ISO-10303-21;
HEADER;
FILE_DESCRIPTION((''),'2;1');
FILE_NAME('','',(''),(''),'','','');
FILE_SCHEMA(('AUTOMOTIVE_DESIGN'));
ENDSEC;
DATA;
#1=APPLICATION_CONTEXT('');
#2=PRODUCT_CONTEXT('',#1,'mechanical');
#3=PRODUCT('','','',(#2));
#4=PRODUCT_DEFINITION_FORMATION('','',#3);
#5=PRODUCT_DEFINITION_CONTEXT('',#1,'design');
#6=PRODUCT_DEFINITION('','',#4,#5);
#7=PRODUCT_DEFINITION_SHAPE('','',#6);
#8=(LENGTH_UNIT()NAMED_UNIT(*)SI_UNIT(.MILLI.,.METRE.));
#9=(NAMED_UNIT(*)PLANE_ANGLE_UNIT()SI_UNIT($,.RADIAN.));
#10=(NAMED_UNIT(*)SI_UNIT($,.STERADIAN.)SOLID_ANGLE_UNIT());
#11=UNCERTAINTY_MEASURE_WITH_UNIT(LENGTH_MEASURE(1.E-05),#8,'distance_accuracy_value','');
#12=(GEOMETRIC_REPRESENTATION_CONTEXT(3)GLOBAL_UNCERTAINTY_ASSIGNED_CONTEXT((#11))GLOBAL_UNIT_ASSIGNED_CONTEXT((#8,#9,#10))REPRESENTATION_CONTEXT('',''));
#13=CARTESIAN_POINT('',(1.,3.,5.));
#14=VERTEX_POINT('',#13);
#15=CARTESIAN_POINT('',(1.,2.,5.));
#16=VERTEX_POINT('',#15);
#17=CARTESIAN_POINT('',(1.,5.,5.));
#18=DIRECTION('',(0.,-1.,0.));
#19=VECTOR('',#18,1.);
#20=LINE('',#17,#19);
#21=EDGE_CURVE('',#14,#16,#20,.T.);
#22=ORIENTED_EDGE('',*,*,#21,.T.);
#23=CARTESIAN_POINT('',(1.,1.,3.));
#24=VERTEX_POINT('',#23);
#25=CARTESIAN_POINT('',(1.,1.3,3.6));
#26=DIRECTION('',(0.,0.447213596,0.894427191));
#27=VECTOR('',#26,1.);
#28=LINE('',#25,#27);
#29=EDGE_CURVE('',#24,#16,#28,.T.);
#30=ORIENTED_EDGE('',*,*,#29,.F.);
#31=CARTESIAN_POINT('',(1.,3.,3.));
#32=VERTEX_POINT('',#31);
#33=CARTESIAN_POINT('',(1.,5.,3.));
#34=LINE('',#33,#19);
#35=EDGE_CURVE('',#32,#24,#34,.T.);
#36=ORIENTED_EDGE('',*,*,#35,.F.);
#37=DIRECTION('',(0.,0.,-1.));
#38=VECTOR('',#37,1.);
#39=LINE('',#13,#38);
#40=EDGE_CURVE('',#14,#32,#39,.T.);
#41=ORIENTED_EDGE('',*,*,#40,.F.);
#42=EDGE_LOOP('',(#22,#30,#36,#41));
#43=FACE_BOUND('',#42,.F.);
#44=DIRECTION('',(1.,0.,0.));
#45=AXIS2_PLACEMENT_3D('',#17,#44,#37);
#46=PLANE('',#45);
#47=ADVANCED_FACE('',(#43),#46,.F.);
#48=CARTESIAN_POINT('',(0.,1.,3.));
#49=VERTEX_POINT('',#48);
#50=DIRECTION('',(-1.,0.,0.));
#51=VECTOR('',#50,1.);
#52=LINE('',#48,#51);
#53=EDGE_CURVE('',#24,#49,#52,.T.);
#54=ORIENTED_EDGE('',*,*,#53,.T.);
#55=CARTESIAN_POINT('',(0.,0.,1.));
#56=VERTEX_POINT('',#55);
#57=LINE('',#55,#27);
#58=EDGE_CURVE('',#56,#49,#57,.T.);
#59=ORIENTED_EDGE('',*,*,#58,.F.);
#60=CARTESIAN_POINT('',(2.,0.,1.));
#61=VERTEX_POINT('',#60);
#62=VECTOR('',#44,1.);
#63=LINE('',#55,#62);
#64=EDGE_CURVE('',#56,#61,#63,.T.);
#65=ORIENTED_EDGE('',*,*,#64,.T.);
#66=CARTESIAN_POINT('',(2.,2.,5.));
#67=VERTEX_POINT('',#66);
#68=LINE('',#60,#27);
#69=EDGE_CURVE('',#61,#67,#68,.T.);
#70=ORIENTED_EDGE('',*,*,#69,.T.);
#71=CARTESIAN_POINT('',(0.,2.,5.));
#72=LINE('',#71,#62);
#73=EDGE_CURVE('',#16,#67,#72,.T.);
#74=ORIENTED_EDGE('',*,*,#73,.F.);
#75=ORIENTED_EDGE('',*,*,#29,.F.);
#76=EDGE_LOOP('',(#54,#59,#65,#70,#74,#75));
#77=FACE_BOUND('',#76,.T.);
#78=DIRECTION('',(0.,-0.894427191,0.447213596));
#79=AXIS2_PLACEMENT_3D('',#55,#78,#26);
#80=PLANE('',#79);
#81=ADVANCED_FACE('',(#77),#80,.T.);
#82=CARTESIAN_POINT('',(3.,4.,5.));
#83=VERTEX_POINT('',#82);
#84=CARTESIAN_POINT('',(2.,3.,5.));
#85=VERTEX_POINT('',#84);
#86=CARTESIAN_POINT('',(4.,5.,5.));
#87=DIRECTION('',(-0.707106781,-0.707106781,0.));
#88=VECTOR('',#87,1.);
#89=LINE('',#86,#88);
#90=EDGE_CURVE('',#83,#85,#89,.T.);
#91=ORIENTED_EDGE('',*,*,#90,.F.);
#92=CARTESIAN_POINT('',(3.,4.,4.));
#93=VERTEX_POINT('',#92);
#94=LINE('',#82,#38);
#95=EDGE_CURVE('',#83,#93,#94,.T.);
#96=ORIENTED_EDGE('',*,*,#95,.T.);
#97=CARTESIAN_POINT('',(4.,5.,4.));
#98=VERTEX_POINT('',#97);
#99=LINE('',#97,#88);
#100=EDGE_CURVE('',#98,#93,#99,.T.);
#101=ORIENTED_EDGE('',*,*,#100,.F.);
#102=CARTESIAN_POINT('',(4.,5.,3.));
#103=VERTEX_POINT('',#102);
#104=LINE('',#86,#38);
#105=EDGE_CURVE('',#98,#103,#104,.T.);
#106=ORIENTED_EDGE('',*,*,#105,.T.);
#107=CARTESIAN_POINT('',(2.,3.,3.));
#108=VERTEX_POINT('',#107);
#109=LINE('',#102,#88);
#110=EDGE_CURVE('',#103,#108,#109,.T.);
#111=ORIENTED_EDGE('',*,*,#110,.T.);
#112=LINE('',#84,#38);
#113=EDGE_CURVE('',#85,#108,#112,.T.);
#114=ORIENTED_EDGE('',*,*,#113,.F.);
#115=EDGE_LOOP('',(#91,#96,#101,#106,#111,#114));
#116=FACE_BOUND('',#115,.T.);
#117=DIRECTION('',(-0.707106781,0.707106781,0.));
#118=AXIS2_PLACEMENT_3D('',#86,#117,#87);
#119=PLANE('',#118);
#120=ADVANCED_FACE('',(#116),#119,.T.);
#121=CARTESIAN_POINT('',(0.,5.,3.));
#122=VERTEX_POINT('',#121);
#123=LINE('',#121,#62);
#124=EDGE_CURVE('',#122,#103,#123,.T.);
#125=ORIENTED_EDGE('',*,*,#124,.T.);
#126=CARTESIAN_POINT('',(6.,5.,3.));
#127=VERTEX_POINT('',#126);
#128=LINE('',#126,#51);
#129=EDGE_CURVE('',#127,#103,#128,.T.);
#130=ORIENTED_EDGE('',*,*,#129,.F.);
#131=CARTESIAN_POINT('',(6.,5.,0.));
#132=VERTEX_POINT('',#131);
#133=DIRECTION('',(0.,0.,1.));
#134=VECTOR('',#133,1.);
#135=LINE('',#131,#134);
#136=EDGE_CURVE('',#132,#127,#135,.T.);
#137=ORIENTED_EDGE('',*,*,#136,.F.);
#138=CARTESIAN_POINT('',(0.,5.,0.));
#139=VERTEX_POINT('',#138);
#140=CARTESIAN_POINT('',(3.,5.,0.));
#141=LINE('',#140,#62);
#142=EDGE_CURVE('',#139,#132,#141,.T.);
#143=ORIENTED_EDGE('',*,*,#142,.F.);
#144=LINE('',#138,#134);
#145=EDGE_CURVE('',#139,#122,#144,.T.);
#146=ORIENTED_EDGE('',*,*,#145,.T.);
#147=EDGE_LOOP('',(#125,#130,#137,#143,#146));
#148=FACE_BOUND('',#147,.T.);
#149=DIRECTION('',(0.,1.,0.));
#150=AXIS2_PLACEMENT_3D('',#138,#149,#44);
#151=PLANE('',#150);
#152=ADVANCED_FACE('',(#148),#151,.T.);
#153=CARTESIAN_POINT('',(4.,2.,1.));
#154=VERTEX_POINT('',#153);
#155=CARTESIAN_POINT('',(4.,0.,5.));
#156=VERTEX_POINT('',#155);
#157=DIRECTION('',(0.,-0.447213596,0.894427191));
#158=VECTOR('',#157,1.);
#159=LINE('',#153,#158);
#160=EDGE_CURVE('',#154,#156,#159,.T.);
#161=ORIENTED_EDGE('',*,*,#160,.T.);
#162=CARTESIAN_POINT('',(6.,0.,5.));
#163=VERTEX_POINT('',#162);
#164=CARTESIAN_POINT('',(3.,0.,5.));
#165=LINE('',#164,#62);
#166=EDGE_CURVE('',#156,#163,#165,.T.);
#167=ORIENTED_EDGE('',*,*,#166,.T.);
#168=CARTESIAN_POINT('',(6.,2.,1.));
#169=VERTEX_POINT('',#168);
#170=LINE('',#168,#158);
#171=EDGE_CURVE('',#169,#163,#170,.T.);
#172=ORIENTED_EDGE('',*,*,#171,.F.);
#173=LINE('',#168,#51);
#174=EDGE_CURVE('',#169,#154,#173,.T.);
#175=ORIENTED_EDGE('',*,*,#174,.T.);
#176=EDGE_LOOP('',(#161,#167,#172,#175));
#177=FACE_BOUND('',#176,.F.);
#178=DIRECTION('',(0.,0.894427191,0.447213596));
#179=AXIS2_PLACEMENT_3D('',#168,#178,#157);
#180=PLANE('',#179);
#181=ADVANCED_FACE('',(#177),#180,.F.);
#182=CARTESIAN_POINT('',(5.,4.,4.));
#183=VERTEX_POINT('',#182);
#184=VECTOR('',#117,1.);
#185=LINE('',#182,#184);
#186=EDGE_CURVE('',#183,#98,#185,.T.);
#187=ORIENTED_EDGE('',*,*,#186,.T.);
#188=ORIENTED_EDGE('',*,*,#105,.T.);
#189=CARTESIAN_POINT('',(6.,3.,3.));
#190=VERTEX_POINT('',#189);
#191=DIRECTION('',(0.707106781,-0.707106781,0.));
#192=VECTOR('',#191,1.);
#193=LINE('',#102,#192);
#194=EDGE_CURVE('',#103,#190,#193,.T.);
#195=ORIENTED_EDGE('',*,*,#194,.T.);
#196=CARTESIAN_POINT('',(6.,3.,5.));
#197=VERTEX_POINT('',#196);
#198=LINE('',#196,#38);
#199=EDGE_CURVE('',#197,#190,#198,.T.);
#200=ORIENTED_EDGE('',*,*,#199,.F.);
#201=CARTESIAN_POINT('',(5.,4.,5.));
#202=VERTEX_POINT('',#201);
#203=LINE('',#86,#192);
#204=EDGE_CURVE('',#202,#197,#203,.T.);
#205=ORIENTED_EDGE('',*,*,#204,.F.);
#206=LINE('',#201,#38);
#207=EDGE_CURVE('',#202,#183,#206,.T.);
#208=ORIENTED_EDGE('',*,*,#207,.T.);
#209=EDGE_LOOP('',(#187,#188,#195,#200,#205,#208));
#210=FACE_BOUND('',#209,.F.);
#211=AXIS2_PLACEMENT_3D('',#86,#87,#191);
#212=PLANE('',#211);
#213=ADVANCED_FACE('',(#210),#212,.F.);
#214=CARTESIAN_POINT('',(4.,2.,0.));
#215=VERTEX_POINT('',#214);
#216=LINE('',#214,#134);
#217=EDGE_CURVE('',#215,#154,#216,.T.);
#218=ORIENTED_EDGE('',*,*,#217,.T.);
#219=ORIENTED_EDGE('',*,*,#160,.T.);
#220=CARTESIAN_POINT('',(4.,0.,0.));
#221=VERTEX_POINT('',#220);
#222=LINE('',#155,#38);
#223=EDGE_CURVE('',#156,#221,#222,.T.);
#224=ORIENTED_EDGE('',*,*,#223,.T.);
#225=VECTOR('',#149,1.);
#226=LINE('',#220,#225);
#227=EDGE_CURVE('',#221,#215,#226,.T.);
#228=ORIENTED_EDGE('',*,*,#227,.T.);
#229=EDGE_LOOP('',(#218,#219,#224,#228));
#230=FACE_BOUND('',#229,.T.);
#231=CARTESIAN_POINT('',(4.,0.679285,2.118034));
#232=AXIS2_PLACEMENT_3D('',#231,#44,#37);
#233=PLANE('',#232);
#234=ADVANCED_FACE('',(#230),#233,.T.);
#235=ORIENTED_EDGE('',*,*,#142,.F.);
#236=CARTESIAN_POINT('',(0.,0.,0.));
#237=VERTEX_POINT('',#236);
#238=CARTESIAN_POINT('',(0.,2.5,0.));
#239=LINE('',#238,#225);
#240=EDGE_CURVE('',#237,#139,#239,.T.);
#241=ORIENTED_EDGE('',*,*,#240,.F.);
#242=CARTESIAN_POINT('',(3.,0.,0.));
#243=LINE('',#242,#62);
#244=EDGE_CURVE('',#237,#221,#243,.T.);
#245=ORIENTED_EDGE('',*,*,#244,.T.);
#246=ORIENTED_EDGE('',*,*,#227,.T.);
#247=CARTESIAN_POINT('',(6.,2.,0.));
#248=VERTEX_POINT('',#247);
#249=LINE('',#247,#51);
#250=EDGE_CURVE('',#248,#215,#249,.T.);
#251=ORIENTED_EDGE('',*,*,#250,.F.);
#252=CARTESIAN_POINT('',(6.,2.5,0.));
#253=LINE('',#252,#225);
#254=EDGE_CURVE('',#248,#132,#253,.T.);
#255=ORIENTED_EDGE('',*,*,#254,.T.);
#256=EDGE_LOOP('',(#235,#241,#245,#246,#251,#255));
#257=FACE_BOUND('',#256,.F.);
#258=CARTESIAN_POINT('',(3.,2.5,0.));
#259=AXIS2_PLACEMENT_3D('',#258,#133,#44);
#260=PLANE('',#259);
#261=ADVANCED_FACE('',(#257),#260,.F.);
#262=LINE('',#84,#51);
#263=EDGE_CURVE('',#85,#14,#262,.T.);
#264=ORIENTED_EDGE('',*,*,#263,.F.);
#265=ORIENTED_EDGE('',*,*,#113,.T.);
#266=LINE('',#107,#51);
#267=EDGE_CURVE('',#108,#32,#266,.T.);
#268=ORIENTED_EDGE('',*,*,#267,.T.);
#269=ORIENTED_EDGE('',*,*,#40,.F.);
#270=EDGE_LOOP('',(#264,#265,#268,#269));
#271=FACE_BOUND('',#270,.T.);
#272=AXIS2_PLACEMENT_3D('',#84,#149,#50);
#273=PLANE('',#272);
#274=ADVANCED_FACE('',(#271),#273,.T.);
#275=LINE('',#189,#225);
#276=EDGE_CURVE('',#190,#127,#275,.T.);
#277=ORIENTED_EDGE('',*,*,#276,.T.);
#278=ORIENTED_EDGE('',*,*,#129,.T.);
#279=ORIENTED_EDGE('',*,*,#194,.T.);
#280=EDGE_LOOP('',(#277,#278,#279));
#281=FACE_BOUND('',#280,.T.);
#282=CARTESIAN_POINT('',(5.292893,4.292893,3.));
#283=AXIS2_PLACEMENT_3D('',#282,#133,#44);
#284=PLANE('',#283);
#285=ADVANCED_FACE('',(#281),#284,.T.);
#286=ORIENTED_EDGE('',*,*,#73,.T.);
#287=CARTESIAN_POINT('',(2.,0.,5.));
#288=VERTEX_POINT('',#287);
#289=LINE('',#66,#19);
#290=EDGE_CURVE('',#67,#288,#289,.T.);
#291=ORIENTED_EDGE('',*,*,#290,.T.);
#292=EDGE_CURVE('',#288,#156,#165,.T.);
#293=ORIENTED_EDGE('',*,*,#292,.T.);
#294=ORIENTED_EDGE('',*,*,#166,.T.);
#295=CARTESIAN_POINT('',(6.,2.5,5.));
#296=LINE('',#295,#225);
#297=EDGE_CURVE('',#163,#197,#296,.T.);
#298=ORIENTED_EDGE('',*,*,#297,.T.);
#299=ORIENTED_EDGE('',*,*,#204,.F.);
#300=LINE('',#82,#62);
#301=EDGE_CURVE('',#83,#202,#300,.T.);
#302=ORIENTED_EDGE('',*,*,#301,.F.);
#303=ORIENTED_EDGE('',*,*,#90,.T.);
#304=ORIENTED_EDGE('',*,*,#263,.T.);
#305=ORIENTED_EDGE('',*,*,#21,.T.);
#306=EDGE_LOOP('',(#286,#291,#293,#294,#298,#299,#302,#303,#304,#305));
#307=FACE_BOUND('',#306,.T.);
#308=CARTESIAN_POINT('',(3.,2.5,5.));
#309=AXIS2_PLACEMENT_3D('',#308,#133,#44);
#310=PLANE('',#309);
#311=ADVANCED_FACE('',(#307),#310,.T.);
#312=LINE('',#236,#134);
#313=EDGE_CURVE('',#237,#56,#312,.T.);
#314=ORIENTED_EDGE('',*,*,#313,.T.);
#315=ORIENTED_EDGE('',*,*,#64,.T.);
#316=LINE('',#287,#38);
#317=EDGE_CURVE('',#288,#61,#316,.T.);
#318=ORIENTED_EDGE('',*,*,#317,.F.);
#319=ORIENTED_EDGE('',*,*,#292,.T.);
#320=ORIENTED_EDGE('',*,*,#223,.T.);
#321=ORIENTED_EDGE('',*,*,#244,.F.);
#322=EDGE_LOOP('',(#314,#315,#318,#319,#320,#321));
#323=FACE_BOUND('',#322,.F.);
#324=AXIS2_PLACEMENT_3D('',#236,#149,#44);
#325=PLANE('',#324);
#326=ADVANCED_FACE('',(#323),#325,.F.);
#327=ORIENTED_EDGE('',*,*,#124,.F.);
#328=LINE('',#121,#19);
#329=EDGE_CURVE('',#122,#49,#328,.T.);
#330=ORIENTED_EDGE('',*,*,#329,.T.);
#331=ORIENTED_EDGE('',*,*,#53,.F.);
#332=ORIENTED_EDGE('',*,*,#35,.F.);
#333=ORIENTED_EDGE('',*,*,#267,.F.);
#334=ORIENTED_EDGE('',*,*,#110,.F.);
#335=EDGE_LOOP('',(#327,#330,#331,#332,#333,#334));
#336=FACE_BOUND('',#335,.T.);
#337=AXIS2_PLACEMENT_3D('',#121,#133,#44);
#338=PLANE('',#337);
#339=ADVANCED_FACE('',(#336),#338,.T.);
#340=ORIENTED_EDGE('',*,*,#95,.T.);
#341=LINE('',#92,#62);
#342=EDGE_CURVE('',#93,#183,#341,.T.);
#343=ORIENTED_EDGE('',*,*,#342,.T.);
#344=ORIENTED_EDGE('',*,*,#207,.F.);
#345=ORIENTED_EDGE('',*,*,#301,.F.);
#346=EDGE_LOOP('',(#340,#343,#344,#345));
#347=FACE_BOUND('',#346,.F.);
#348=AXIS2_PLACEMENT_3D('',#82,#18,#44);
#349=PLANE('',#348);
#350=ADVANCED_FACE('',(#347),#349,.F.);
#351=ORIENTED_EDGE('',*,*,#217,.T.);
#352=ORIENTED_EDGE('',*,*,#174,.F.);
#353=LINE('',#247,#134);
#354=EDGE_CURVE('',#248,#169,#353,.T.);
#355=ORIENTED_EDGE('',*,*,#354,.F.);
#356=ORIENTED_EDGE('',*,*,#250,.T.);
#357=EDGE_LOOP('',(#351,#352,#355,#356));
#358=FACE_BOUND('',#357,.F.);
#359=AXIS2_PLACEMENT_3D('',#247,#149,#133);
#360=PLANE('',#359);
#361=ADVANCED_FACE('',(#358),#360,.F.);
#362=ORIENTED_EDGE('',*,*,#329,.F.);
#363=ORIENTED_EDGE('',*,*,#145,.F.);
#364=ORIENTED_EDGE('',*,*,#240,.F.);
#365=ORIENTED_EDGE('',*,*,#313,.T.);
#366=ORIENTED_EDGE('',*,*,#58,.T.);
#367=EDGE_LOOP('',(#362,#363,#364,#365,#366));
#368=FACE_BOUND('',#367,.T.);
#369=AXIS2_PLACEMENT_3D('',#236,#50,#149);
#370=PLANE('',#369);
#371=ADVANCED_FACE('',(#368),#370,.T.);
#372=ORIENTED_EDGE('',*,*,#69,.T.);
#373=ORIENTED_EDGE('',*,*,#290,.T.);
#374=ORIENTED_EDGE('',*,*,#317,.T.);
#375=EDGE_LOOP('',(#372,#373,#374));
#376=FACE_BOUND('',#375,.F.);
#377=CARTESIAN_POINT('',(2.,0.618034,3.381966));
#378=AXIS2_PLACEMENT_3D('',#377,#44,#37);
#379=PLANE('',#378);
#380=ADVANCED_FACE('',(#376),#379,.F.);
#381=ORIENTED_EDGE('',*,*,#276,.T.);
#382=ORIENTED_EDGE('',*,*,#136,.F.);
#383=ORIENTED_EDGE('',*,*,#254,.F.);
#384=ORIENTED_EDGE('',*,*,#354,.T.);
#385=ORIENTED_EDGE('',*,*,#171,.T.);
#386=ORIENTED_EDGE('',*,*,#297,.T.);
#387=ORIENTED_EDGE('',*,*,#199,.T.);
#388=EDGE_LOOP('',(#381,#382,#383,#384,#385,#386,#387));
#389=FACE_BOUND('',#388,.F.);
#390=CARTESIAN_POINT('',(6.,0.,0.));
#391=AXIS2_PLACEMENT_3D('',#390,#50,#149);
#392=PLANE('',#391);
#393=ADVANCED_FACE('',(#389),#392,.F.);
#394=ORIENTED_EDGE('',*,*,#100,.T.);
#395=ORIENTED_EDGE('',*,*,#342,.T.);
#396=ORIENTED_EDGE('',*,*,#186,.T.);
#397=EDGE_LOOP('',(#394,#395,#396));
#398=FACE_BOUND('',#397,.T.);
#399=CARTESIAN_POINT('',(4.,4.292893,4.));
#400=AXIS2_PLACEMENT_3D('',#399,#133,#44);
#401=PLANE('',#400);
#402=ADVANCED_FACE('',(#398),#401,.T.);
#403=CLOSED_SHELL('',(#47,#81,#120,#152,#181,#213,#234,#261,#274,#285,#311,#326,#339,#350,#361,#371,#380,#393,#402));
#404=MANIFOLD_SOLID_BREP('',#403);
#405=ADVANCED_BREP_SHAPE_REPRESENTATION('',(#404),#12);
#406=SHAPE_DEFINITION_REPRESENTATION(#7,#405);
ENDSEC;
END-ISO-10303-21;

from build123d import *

# Parameters (mm, degrees)
SKETCH1_W           = 6
SKETCH1_H           = 5
BOSS_EXTRUDE1_DEPTH = 5
CUT_EXTRUDE1_DEPTH  = 2
CUT_EXTRUDE2_DEPTH  = 2
SKETCH5_W           = 1
SKETCH5_H           = 2
CUT_EXTRUDE3_DEPTH  = 5
CUT_EXTRUDE4_DEPTH  = 2
CUT_EXTRUDE5_DEPTH  = 2
CUT_EXTRUDE6_DEPTH  = 1


with BuildPart() as part:
    # Sketch1 → Boss-Extrude1 (new body)
    with BuildSketch(Plane.XY):
        with Locations((3, 2.5)):
            Rectangle(SKETCH1_W, SKETCH1_H)
    extrude(amount=BOSS_EXTRUDE1_DEPTH)

    # Sketch2 → Cut-Extrude1 (cut)
    with BuildSketch(Plane(origin=(6, 0, 0), x_dir=(0, 0, -1), z_dir=(1, 0, 0))):
        Polygon((0, 2), (-1, 2), (-5, 0), (0, 0), align=None)
    extrude(amount=-CUT_EXTRUDE1_DEPTH, mode=Mode.SUBTRACT)

    # Sketch4 → Cut-Extrude2 (cut)
    with BuildSketch(Plane.ZY):
        Polygon((1, 0), (5, 2), (5, 0), align=None)
    extrude(amount=-CUT_EXTRUDE2_DEPTH, mode=Mode.SUBTRACT)

    # Sketch5 → Cut-Extrude3 (cut)
    with BuildSketch(Plane(origin=(0, 5, 0), x_dir=(1, 0, 0), z_dir=(0, 1, 0))):
        with Locations((0.5, -4)):
            Rectangle(SKETCH5_W, SKETCH5_H)
    extrude(amount=-CUT_EXTRUDE3_DEPTH, mode=Mode.SUBTRACT)

    # Sketch6 → Cut-Extrude4 (cut)
    with BuildSketch(Plane.XY.offset(5)):
        Polygon((4, 5), (6, 3), (6, 5), align=None)
    extrude(amount=-CUT_EXTRUDE4_DEPTH, mode=Mode.SUBTRACT)

    # Sketch7 → Cut-Extrude5 (cut)
    with BuildSketch(Plane.XY.offset(5)):
        Polygon((4, 5), (2, 3), (1, 3), (1, 5), align=None)
    extrude(amount=-CUT_EXTRUDE5_DEPTH, mode=Mode.SUBTRACT)

    # Sketch8 → Cut-Extrude6 (cut)
    with BuildSketch(Plane.XY.offset(5)):
        Polygon((3, 4), (5, 4), (4, 5), align=None)
    extrude(amount=-CUT_EXTRUDE6_DEPTH, mode=Mode.SUBTRACT)


solid = part.part
